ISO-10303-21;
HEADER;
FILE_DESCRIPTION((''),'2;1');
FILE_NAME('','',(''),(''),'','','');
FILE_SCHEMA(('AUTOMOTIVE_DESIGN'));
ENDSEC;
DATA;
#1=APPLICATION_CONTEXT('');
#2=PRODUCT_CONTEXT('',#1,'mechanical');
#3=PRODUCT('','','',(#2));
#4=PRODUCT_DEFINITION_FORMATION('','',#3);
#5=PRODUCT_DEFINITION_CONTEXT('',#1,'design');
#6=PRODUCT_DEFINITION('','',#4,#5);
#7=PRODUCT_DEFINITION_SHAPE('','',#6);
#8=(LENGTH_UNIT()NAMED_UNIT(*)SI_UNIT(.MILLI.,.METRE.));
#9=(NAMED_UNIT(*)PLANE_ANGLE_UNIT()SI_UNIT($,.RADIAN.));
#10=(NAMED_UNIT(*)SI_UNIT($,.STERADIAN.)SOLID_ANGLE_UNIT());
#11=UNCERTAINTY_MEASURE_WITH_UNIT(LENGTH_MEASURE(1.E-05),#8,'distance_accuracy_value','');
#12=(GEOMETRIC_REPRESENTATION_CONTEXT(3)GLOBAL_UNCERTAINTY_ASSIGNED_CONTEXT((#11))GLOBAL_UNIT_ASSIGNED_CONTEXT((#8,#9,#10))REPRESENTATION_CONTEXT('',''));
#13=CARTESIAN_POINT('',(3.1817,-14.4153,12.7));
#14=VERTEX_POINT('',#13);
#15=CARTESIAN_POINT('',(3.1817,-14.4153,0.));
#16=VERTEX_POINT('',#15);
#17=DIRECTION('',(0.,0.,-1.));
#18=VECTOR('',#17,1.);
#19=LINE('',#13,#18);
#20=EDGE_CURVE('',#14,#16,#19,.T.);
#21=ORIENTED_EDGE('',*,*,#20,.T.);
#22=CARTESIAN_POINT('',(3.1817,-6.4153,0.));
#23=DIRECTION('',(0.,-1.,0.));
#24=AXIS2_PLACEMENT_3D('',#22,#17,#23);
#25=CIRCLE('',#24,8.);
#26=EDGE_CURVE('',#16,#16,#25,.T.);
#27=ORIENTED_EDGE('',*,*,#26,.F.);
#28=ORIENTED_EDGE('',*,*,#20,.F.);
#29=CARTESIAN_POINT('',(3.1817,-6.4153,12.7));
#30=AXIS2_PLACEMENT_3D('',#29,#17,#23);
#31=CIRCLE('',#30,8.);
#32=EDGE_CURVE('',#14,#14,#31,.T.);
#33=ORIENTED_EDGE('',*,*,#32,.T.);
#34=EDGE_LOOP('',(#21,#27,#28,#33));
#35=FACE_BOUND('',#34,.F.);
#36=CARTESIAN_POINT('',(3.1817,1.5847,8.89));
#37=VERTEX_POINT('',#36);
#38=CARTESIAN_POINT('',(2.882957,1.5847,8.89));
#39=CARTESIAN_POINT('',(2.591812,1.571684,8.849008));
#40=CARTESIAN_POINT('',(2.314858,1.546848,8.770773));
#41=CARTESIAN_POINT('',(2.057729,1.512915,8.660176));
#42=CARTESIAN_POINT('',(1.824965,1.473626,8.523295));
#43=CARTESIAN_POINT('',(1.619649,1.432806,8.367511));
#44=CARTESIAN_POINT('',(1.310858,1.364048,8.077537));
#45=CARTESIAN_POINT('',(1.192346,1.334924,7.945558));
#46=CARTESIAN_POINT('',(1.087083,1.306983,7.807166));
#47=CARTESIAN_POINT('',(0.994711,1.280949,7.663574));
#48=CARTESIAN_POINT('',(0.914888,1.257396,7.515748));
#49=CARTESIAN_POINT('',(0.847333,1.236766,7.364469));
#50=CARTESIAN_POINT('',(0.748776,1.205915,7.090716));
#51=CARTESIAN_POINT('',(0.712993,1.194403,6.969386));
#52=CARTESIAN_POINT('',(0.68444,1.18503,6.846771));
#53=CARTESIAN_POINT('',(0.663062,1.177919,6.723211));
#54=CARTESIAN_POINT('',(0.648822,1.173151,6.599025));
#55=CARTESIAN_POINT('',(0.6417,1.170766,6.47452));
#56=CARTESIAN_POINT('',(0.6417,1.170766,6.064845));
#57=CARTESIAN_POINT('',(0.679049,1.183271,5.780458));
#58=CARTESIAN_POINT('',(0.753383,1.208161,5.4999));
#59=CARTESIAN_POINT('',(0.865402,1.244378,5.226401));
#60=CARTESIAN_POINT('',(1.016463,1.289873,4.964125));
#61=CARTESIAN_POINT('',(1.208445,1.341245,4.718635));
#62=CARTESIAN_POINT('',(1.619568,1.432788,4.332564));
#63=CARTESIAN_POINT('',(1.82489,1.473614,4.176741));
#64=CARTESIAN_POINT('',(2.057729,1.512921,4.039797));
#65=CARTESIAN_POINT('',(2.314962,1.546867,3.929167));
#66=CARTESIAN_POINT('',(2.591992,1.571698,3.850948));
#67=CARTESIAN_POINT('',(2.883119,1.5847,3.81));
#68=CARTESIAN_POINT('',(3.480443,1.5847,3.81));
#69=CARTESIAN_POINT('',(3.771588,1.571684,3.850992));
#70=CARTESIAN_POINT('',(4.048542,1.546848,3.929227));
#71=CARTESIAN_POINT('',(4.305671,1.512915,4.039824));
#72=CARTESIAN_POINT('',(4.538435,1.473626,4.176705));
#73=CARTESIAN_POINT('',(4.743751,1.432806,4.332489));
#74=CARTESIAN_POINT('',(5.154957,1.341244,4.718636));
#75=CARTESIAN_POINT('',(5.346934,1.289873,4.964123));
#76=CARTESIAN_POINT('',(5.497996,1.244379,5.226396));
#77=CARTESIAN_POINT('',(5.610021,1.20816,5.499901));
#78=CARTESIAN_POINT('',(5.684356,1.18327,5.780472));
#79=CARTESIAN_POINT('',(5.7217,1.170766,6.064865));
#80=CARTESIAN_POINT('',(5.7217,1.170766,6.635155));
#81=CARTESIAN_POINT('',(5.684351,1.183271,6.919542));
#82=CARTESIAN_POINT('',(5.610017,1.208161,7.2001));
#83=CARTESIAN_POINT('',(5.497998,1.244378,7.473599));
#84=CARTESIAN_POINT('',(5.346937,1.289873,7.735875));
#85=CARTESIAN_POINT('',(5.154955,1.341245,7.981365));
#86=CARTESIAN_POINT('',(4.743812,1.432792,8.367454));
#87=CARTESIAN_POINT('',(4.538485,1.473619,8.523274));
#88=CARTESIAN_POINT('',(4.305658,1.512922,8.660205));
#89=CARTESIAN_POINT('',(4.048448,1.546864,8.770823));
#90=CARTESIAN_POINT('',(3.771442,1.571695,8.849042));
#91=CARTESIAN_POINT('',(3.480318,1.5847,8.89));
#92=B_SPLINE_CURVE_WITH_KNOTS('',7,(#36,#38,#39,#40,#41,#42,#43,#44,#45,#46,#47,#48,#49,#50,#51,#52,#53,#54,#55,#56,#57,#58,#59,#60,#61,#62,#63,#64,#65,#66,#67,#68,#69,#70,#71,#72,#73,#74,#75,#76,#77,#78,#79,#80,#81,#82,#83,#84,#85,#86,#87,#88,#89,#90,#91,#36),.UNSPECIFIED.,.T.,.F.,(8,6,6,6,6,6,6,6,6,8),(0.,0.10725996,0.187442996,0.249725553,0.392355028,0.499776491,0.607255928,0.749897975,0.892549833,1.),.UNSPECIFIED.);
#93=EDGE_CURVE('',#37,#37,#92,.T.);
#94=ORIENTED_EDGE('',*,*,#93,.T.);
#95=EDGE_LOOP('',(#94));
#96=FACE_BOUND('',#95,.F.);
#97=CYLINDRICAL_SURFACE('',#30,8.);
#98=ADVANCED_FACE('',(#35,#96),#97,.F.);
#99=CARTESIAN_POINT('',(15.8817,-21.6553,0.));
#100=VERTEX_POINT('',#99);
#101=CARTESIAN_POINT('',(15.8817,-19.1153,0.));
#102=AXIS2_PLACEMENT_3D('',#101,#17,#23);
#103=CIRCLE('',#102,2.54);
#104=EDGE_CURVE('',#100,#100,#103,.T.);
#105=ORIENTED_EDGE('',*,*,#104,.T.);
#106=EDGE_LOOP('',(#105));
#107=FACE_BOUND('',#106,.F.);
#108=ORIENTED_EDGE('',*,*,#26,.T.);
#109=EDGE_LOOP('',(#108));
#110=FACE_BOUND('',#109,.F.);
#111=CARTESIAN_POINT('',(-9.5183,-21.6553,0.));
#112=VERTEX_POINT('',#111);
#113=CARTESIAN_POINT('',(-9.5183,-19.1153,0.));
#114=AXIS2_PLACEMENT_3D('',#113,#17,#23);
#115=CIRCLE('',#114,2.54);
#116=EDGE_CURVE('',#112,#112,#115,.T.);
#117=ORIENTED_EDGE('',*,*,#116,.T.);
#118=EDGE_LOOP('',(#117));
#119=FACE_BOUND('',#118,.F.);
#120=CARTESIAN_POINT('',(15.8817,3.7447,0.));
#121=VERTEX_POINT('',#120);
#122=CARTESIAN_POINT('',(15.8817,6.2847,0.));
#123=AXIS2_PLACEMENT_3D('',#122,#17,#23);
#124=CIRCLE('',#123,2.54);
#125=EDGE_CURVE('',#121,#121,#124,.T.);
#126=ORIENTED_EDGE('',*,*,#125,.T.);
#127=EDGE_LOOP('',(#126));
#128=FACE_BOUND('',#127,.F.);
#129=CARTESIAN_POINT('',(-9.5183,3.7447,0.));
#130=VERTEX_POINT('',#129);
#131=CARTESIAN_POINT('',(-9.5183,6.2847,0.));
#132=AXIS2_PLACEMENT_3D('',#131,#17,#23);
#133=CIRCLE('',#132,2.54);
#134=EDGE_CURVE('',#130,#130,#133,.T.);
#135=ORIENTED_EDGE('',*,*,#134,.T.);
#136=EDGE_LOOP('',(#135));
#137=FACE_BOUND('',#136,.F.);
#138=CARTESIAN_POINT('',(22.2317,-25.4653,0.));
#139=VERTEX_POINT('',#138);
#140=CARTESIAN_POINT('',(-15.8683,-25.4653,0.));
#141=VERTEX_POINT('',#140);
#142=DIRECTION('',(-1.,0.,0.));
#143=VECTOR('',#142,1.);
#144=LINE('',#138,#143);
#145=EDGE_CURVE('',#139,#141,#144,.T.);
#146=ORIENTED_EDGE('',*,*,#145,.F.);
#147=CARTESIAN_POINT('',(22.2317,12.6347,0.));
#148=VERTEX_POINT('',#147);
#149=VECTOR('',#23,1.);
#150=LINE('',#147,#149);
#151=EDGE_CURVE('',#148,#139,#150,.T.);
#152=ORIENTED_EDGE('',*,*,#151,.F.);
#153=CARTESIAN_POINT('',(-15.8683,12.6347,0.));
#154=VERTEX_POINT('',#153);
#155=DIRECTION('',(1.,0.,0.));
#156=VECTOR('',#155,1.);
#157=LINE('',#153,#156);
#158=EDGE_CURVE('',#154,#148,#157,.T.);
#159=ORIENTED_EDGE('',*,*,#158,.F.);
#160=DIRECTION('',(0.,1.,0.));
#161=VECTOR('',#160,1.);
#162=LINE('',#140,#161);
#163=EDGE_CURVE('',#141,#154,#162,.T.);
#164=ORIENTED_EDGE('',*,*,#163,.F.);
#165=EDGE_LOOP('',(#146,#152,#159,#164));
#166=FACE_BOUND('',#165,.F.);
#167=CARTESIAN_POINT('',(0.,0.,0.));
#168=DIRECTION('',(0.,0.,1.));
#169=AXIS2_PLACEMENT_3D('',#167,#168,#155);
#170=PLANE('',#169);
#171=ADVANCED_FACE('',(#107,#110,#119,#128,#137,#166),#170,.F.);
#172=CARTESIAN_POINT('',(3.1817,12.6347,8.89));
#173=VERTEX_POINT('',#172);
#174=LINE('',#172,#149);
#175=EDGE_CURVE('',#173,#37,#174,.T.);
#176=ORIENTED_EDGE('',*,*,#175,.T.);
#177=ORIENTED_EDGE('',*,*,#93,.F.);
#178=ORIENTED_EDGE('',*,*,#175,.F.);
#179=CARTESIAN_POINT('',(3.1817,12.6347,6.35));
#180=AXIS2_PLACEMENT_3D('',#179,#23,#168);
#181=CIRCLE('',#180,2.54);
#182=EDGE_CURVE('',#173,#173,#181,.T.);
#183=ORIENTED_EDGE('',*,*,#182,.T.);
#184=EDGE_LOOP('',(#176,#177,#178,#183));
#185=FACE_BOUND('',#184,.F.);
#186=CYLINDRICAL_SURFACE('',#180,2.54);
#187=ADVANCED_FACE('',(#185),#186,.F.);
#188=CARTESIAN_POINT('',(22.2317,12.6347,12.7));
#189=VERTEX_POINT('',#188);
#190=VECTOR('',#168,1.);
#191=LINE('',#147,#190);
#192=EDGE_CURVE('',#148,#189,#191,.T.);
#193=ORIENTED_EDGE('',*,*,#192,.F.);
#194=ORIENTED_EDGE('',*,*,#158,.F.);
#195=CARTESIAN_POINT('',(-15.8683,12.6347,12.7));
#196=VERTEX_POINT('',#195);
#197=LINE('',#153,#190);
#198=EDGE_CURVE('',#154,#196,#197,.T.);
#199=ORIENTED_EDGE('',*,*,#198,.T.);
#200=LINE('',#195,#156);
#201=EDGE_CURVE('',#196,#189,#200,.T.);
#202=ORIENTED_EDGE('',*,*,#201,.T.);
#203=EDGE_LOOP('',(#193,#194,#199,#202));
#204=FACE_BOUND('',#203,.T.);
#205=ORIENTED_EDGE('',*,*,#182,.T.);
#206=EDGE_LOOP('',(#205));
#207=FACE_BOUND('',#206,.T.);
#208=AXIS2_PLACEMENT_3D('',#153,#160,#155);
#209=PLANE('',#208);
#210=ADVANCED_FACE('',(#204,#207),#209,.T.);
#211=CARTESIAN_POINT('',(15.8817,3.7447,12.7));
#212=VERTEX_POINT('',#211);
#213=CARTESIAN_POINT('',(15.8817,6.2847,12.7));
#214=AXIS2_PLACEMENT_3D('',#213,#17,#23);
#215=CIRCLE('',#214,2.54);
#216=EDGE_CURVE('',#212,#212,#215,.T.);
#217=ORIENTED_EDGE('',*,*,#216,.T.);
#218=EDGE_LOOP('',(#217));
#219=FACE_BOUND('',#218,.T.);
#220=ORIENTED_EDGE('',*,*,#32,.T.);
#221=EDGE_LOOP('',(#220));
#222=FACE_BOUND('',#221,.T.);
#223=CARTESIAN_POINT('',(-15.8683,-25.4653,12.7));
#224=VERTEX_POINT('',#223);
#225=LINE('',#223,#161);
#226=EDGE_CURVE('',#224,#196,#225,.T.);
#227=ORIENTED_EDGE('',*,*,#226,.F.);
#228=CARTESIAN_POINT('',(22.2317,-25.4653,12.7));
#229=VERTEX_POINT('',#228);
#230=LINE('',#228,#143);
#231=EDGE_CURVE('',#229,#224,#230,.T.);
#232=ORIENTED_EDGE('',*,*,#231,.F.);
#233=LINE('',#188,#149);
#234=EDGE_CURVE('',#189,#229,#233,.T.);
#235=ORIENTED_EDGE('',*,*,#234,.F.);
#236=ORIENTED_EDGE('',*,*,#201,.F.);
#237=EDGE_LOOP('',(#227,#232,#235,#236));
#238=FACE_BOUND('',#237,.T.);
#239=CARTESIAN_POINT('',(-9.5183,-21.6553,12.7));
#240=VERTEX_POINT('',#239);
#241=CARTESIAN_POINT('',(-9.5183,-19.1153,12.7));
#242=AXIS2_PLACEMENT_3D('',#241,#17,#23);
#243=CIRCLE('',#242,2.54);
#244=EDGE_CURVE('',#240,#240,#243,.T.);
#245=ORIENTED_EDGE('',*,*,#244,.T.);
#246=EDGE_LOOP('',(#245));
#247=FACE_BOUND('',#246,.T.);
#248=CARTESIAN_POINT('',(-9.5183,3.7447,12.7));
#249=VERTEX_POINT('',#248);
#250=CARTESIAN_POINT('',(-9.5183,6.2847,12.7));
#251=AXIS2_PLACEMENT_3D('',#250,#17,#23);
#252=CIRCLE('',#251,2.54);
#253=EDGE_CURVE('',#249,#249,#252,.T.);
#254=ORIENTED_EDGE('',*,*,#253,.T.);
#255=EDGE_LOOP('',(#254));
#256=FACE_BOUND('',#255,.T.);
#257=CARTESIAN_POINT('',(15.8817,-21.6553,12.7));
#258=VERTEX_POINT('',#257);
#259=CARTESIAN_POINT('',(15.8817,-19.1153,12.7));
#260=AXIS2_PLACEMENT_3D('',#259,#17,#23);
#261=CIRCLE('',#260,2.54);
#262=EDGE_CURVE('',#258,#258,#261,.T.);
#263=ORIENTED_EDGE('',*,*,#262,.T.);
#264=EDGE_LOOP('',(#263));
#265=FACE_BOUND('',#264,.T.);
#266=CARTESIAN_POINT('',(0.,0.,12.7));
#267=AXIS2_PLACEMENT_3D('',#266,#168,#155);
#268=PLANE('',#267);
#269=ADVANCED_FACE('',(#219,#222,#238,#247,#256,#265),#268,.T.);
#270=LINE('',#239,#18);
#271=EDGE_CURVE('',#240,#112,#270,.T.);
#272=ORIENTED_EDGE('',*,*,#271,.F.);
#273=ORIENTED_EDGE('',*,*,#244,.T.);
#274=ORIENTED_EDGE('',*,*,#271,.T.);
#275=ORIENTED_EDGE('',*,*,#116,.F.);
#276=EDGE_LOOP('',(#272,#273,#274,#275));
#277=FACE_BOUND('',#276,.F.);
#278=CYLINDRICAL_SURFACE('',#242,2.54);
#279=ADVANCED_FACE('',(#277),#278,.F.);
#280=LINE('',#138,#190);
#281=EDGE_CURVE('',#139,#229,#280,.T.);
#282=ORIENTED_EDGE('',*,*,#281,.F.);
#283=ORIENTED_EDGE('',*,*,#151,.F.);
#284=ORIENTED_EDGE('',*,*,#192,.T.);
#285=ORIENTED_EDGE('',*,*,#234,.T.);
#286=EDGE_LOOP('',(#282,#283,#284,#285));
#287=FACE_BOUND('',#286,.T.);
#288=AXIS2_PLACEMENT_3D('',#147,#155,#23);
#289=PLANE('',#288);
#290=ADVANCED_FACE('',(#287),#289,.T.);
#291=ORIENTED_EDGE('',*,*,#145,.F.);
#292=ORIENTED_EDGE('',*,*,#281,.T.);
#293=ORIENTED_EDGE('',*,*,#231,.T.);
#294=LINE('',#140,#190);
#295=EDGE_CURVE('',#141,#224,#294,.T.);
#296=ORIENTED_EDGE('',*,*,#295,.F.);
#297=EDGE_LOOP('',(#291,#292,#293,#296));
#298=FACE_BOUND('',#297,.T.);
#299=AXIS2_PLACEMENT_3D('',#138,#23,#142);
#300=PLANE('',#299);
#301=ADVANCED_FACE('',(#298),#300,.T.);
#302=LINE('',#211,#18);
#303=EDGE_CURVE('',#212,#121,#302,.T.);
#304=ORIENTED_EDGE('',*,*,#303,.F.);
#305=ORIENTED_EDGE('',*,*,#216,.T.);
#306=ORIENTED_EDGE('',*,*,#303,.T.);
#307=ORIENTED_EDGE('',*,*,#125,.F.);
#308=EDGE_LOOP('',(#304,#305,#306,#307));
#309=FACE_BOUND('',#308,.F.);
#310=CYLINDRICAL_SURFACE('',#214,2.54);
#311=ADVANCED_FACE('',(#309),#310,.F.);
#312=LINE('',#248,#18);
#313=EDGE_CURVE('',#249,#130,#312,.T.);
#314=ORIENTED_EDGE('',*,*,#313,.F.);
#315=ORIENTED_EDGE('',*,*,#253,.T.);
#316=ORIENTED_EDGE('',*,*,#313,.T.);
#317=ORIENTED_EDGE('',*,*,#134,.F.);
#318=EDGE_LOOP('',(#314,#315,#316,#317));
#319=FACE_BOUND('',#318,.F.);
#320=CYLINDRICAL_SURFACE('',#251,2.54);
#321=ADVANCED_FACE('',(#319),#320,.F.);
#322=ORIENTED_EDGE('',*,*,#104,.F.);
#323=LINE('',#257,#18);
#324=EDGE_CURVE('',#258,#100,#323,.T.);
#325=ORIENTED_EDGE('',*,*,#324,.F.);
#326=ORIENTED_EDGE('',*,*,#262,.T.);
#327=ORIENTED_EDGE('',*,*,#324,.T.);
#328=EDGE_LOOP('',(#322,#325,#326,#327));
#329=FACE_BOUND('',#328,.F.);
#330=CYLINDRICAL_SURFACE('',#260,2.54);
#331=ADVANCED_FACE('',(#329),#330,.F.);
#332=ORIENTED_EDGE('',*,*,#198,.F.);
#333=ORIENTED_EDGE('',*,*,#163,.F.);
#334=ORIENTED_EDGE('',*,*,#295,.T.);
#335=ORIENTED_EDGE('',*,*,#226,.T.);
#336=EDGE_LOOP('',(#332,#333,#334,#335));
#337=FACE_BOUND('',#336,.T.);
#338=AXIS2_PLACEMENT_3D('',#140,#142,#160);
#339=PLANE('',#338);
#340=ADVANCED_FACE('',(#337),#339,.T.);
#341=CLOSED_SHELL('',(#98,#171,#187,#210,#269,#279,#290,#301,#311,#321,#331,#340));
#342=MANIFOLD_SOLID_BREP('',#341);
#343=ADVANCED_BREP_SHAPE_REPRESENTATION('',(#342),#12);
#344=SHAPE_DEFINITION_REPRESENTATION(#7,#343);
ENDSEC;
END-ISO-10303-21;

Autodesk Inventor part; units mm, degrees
ref_plane "YZ Plane" through (0, 0, 0) normal (1, 0, 0) x (0, 1, 0)
ref_plane "XZ Plane" through (0, 0, 0) normal (0, 1, 0) x (-1, 0, 0)
ref_plane "XY Plane" through (0, 0, 0) normal (0, 0, 1) x (1, 0, 0)
sketch "Sketch1" plane through (0, 0, 0) normal (0, 0, 1) x (1, 0, 0)
  line L0 (-15.8683, 12.6347) -> (22.2317, 12.6347)
  line L1 (22.2317, 12.6347) -> (22.2317, -25.4653)
  line L2 (22.2317, -25.4653) -> (-15.8683, -25.4653)
  line L3 (-15.8683, -25.4653) -> (-15.8683, 12.6347)
  point P0 (0, 0)
  dimension "d0" = 38.1
  dimension "d1" = 38.1
extrude "Extrusion1" add sketch "Sketch1" along normal blind 12.7
hole "Hole1" at (3.1817, -6.4153, 12.7) direction (0, 0, -1) diameter 16 end through all
hole "Hole2" at (-9.5183, 6.2847, 12.7) direction (0, 0, -1) diameter 5.08 end through all
hole "Hole3" at (15.8817, 6.2847, 12.7) direction (0, 0, -1) diameter 5.08 end through all
hole "Hole4" at (-9.5183, -19.1153, 12.7) direction (0, 0, -1) diameter 5.08 end through all
hole "Hole5" at (15.8817, -19.1153, 12.7) direction (0, 0, -1) diameter 5.08 end through all
hole "Hole6" at (3.1817, 12.6347, 6.35) direction (0, -1, 0) diameter 5.08 depth 12.7 tip angle 118
sketch "Sketch2" plane through (0, 0, 12.7) normal (0, 0, 1) x (1, 0, 0)
  circle A0 centre (15.8817, -19.1153) radius 2.54 projected
  circle A1 centre (-9.5183, -19.1153) radius 2.54 projected
  circle A2 centre (15.8817, 6.2847) radius 2.54 projected
  circle A3 centre (-9.5183, 6.2847) radius 2.54 projected
  circle A4 centre (3.1817, -6.4153) radius 8 projected
  line L0 (22.2317, 12.6347) -> (22.2317, -25.4653) projected
  line L1 (-15.8683, 12.6347) -> (22.2317, 12.6347) projected
  line L2 (-15.8683, -25.4653) -> (-15.8683, 12.6347) projected
  line L3 (22.2317, -25.4653) -> (-15.8683, -25.4653) projected
  point P0 (0, 0)
  dimension "d58" = 6.35
  dimension "d59" = 6.35
  dimension "d60" = 19.05
  dimension "d61" = 19.05
  dimension "d64" = 16
  dimension "d65" = 12.7
  dimension "d66" = 12.7
  dimension "d67" = 12.7
sketch "Sketch3" plane through (-15.8683, 12.6347, 0) normal (0, 1, 0) x (1, 0, 0)
  circle A0 centre (19.05, -6.35) radius 2.54 projected
  line L0 (0, -12.7) -> (38.1, -12.7) projected
  line L1 (38.1, 0) -> (38.1, -12.7) projected
  line L2 (0, 0) -> (38.1, 0) projected
  line L3 (0, 0) -> (0, -12.7) projected
  point P0 (15.8683, 0)
  dimension "d62" = 6.35
  dimension "d63" = 19.05
properties part number "alignmentplate"
